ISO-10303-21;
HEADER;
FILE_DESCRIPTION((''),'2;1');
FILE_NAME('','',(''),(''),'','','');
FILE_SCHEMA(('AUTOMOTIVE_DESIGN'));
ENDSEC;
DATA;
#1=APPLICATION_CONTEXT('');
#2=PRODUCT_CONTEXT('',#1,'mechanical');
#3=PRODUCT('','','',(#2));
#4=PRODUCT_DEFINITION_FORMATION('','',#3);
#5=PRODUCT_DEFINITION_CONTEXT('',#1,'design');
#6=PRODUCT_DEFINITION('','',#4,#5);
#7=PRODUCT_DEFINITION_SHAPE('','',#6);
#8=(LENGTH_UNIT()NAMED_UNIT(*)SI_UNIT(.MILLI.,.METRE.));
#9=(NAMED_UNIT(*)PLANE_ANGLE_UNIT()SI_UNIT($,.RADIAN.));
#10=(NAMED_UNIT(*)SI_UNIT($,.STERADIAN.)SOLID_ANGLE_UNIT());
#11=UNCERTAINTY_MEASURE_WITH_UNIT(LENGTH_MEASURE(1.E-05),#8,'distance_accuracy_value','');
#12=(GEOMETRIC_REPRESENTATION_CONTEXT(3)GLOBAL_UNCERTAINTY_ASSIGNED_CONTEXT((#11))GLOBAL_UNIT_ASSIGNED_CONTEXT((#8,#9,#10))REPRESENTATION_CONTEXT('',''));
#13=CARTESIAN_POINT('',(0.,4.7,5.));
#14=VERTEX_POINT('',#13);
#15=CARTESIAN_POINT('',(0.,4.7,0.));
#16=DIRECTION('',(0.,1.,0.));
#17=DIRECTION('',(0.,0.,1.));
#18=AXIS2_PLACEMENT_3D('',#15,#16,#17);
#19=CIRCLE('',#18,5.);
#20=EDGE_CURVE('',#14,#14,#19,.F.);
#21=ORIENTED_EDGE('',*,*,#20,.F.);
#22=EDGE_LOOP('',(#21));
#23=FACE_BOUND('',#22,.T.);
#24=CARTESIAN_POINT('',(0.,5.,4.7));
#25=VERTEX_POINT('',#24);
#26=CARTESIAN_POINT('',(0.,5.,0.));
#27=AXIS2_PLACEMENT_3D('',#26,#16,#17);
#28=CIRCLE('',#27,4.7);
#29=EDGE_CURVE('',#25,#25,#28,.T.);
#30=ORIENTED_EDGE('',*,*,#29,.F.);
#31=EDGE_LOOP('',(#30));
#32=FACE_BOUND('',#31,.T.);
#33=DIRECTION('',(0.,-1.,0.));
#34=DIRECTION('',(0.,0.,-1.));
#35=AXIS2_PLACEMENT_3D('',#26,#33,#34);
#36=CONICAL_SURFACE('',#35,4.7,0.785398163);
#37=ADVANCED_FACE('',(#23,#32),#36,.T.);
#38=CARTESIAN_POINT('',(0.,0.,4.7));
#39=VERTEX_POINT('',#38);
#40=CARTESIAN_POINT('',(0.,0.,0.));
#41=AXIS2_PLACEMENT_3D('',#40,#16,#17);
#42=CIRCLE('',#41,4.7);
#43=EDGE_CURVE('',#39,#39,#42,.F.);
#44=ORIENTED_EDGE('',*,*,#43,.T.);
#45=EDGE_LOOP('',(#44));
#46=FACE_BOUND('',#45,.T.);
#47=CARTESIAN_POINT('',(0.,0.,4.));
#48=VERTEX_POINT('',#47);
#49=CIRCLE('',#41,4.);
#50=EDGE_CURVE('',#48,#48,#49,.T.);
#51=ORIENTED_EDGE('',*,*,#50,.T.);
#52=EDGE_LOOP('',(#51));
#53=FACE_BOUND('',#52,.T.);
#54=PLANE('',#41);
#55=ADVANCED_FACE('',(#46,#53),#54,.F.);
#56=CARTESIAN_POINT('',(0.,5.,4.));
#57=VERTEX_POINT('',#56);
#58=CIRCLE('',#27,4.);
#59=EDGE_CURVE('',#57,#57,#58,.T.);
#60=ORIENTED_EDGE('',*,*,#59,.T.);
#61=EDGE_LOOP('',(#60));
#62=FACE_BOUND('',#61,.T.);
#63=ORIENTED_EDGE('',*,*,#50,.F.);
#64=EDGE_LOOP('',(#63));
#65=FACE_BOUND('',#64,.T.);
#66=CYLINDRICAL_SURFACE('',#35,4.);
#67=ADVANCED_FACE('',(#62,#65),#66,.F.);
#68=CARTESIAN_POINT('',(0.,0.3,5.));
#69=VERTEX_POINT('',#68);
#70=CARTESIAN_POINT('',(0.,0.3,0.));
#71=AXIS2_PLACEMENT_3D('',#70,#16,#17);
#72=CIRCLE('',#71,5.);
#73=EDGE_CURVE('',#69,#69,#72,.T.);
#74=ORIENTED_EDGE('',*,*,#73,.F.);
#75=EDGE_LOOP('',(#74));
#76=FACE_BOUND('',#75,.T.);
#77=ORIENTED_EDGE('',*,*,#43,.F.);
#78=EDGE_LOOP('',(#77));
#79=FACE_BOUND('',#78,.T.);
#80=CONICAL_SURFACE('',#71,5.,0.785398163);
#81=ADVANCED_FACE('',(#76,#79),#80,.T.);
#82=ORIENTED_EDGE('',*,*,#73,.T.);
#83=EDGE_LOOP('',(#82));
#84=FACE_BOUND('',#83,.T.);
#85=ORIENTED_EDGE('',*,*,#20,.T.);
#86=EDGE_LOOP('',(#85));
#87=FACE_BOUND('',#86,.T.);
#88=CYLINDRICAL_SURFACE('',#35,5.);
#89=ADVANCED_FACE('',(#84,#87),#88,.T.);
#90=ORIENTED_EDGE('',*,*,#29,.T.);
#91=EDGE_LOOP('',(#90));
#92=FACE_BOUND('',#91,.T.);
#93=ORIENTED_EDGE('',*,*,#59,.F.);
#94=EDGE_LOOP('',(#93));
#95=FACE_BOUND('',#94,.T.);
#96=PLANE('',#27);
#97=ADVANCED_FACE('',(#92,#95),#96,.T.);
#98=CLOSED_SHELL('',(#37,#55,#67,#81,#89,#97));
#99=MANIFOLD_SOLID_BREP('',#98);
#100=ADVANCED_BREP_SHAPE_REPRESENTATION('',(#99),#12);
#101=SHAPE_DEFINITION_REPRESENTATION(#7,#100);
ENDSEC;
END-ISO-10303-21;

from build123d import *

# Parameters (mm, degrees)
SKETCH1_R           = 5
SKETCH1_R_2         = 4
BOSS_EXTRUDE2_DEPTH = 5
CHAMFER1_SIZE       = 0.3


with BuildPart() as part:
    # Sketch1 → Boss-Extrude2 (new body)
    with BuildSketch(Plane(origin=(0, 0, 0), x_dir=(1, 0, 0), z_dir=(0, 1, 0))):
        with Locations(Location((0, 0, 0), (0, 0, 270))):
            Circle(SKETCH1_R)
        with Locations(Location((0, 0, 0), (0, 0, 270))):
            Circle(SKETCH1_R_2, mode=Mode.SUBTRACT)
    extrude(amount=BOSS_EXTRUDE2_DEPTH)

    # Chamfer1
    chamfer1_edges = [part.edges().sort_by_distance(p)[0] for p in [
        (0, 0, -5),
        (0, 5, -5),
    ]]
    chamfer(chamfer1_edges, length=CHAMFER1_SIZE)


solid = part.part
